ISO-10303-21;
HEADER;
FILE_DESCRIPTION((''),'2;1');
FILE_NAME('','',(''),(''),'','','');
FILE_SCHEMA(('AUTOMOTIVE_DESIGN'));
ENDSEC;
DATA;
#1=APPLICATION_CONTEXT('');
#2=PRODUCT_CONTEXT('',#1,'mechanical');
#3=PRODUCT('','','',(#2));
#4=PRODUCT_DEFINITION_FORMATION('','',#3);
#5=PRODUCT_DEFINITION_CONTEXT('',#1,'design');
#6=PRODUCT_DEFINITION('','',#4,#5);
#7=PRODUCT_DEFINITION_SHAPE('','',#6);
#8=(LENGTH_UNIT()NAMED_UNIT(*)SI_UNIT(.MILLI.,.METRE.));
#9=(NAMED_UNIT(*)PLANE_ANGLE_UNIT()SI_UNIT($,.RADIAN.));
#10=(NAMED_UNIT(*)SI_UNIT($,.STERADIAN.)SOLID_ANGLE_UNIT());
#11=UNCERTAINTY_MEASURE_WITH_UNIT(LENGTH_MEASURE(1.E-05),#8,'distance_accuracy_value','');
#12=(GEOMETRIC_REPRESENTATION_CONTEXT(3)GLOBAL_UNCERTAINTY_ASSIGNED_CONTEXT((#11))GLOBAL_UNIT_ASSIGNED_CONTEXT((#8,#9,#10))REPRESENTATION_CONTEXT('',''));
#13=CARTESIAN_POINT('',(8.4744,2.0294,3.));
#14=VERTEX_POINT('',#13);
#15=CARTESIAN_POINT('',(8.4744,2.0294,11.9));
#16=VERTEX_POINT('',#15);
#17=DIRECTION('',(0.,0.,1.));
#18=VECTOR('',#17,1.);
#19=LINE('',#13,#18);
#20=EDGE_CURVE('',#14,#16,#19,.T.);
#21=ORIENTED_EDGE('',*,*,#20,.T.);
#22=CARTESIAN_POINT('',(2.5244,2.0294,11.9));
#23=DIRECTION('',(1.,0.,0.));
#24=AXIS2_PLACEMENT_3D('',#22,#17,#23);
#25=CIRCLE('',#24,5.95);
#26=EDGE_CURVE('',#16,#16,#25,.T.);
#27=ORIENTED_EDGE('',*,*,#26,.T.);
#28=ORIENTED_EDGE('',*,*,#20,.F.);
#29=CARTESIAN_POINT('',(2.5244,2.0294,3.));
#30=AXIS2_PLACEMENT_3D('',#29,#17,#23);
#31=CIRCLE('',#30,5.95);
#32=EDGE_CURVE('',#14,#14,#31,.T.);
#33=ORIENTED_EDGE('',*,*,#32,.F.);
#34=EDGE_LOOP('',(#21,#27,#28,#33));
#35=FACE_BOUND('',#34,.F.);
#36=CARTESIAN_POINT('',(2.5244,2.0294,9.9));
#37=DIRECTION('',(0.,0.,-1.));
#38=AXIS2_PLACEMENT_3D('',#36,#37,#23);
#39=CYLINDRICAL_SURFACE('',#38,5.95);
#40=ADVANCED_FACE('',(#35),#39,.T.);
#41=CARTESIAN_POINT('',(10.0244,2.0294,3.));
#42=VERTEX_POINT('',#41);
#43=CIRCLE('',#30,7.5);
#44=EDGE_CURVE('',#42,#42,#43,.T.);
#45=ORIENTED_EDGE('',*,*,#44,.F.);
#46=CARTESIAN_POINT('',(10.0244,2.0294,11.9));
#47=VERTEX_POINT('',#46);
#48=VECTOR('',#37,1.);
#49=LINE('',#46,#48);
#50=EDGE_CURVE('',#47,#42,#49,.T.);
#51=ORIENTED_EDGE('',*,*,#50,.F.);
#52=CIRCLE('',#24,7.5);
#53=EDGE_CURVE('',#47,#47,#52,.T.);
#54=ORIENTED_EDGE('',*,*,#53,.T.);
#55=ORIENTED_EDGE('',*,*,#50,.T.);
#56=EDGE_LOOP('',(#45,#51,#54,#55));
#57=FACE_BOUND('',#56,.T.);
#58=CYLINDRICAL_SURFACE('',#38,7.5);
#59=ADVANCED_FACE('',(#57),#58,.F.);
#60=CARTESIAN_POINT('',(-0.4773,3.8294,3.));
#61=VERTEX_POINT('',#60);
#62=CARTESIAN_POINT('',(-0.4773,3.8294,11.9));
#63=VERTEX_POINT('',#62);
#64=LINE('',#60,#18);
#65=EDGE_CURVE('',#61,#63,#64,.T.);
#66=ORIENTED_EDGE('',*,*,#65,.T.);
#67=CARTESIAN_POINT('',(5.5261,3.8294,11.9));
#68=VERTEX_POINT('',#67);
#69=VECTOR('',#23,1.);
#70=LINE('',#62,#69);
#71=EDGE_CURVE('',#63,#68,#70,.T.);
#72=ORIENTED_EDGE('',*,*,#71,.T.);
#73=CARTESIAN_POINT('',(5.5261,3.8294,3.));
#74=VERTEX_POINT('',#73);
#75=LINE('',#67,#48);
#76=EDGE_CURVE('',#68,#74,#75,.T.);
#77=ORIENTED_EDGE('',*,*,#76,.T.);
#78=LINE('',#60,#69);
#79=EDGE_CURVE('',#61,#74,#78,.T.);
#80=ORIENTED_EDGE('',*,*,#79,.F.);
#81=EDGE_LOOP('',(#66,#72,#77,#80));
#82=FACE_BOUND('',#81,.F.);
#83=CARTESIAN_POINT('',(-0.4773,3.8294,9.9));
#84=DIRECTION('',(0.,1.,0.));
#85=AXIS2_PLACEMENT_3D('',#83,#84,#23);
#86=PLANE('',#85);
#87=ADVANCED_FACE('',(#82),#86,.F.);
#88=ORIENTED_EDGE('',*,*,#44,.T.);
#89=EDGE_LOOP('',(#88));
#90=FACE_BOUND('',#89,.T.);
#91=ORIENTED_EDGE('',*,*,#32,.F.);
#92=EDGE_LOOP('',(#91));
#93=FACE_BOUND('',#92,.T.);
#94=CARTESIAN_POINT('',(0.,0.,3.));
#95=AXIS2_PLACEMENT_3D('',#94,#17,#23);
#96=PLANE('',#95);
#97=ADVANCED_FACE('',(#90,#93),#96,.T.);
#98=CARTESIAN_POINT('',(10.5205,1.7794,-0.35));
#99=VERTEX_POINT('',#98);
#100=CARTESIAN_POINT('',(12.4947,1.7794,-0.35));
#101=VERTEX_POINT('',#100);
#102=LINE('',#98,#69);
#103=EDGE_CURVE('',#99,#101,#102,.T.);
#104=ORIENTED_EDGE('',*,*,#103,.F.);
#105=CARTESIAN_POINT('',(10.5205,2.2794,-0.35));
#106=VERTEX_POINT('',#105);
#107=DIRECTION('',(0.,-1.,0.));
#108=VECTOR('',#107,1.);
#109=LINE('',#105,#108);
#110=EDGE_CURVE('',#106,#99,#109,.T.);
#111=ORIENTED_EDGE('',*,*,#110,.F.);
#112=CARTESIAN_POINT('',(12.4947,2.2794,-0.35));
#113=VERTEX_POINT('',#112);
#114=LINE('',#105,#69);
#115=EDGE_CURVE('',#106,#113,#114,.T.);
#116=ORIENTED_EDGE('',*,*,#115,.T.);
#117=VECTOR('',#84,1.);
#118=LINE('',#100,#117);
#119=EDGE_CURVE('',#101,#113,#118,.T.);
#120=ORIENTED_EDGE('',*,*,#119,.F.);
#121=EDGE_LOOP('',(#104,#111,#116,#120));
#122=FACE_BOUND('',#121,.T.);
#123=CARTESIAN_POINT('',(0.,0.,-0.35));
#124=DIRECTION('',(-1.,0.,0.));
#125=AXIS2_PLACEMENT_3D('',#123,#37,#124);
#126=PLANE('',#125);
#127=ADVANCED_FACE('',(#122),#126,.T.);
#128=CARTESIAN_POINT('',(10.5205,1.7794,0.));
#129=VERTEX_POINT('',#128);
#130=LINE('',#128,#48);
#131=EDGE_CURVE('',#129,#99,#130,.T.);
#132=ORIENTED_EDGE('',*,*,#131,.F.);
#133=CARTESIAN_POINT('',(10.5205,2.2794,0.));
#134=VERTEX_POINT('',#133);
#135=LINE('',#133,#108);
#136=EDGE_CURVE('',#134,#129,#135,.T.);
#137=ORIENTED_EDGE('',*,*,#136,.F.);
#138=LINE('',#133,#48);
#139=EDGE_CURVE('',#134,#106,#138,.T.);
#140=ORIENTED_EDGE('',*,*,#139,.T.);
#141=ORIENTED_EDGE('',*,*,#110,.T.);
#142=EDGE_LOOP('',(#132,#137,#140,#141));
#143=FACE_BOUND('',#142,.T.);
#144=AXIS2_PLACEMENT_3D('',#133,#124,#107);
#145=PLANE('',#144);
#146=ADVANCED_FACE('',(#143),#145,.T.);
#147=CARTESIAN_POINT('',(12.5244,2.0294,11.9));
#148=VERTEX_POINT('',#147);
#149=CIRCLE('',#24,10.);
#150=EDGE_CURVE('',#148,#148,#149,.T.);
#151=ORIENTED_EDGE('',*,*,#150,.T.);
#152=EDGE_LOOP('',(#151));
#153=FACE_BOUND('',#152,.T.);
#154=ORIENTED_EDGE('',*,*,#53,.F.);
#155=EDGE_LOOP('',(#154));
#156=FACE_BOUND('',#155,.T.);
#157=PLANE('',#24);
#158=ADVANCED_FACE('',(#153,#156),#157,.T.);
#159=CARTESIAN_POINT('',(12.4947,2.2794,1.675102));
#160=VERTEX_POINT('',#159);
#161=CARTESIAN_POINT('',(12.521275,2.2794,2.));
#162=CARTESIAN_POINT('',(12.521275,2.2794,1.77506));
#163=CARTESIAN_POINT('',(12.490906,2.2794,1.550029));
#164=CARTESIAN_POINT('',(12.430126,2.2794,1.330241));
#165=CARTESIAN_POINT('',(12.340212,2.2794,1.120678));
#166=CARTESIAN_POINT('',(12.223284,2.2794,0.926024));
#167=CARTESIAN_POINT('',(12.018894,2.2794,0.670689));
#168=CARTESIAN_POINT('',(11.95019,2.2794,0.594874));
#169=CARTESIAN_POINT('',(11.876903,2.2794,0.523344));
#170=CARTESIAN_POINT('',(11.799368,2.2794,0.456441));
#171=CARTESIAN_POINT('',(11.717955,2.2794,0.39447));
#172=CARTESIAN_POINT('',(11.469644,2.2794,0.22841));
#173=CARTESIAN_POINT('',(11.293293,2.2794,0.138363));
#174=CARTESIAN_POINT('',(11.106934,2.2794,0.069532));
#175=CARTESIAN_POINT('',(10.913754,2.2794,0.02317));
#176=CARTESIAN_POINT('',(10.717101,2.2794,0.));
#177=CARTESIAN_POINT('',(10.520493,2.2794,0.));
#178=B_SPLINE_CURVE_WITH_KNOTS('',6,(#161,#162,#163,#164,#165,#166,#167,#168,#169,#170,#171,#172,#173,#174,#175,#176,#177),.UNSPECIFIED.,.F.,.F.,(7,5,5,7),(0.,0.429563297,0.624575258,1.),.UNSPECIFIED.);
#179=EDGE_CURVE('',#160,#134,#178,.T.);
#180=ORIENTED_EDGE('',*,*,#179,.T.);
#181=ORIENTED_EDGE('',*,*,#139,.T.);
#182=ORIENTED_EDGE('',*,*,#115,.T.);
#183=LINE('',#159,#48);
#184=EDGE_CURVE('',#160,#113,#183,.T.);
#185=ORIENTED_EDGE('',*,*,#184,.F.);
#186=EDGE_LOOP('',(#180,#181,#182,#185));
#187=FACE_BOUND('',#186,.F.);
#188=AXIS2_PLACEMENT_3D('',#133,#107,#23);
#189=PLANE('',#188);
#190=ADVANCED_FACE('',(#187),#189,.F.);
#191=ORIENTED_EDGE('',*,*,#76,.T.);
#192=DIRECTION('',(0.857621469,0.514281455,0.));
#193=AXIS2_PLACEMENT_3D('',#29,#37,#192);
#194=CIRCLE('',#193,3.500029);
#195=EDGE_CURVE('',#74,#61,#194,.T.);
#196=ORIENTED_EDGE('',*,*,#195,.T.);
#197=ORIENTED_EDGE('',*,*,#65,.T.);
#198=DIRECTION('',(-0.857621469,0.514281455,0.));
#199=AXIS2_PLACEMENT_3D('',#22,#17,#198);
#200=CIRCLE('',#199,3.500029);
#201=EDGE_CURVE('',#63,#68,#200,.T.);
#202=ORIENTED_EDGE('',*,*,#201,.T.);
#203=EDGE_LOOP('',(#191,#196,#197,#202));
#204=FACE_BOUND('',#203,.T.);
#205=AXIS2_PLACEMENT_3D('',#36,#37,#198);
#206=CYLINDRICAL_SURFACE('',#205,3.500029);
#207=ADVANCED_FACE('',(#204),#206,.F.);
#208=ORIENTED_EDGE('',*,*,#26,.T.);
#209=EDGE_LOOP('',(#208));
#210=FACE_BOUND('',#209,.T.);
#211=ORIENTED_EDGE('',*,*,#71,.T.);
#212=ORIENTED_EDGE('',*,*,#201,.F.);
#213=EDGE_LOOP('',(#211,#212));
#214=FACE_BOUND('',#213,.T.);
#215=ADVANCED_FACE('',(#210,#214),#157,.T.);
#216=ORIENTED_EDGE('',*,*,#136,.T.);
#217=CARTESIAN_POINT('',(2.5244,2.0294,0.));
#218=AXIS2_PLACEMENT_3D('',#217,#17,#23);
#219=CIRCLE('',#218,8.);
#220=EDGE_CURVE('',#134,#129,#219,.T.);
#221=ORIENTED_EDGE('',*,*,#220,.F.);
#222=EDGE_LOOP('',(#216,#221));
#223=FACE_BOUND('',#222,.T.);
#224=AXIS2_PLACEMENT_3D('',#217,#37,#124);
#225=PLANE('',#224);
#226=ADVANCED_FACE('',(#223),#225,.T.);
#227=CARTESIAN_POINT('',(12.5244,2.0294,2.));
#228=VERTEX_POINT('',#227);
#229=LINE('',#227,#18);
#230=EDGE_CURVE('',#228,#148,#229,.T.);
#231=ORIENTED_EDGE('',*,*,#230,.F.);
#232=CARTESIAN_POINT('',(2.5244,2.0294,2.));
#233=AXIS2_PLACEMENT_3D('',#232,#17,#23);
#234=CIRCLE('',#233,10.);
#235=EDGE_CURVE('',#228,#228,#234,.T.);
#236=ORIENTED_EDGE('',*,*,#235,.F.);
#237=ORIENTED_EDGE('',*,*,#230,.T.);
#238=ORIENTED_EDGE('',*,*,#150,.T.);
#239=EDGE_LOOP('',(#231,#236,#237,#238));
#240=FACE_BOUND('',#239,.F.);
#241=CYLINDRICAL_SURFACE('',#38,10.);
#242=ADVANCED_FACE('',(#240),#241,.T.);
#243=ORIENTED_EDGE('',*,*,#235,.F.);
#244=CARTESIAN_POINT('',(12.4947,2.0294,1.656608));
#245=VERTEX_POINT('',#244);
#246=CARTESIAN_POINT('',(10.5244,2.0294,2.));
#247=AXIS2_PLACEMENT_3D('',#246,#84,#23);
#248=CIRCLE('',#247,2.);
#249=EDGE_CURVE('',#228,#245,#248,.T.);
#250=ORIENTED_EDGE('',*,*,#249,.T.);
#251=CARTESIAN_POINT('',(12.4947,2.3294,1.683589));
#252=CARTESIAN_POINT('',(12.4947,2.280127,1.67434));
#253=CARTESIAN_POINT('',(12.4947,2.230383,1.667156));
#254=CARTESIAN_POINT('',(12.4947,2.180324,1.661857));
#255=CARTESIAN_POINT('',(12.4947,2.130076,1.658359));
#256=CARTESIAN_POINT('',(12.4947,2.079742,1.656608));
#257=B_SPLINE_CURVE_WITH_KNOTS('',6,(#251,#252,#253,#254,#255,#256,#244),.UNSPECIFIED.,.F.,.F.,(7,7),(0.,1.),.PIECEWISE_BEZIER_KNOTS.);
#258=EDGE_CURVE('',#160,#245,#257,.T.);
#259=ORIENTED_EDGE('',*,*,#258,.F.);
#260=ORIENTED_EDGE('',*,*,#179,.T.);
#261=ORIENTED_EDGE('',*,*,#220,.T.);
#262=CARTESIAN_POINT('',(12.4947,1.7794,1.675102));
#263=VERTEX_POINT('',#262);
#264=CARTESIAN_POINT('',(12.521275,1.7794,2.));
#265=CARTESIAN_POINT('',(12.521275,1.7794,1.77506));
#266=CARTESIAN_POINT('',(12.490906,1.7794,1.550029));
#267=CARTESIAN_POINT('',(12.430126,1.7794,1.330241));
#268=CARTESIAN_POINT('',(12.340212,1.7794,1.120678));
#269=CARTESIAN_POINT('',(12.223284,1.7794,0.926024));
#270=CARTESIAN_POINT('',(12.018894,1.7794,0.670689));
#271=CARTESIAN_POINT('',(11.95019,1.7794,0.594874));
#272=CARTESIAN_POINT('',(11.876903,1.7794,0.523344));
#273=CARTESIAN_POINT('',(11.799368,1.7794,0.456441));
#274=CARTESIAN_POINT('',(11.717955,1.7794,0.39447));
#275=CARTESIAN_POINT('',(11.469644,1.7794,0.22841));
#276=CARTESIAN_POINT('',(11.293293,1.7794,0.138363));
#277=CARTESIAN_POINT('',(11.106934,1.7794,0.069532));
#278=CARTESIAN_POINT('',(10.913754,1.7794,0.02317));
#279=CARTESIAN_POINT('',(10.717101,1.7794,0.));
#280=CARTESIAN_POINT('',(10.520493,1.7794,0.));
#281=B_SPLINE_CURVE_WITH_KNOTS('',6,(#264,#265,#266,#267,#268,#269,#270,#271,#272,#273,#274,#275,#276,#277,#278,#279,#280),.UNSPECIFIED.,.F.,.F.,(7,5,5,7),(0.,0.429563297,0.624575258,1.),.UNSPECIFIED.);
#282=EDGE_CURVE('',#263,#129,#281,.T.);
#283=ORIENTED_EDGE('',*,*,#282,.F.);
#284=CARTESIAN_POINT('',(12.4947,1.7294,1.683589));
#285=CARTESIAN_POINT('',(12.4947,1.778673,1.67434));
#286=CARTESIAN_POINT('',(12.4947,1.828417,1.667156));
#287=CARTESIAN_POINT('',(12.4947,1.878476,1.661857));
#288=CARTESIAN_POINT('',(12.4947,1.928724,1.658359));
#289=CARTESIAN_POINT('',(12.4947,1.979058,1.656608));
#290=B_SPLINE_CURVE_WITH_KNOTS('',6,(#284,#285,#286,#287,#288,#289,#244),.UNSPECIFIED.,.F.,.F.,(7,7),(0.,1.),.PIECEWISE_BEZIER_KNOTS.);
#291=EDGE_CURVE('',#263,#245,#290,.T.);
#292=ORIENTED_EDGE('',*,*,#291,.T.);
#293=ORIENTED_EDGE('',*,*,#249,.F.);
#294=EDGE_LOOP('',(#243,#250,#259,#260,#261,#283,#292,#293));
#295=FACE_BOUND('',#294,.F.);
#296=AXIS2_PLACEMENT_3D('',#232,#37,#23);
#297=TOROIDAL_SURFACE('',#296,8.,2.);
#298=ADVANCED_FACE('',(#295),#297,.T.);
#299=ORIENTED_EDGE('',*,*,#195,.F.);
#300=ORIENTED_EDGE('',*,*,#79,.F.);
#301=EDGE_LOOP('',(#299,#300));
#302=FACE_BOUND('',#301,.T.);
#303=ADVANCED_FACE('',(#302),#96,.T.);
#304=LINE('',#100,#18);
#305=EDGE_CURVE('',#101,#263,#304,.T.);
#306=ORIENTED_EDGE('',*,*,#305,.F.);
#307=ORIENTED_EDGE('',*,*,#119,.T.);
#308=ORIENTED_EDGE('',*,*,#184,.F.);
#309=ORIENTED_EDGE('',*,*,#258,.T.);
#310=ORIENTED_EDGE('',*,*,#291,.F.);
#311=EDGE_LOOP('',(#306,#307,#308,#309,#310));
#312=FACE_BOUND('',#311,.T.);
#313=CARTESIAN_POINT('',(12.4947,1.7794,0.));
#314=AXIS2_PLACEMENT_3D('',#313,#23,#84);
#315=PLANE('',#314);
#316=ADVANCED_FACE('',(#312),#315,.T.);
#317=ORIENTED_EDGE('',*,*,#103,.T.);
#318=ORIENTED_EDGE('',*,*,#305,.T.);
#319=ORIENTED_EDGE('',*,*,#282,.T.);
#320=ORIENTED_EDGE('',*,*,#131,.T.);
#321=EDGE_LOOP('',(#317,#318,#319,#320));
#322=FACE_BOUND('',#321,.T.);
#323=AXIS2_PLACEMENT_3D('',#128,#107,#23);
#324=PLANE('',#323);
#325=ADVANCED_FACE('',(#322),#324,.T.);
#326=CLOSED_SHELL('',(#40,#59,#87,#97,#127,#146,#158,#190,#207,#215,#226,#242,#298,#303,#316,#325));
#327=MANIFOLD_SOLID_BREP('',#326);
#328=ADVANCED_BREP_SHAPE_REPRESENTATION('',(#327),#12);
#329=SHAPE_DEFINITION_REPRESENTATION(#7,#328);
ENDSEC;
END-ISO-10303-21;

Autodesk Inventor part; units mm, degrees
ref_plane "YZ Plane" through (0, 0, 0) normal (1, 0, 0) x (0, 1, 0)
ref_plane "XZ Plane" through (0, 0, 0) normal (0, 1, 0) x (-1, 0, 0)
ref_plane "XY Plane" through (0, 0, 0) normal (0, 0, 1) x (1, 0, 0)
sketch "Sketch1" plane through (0, 0, 0) normal (0, 0, 1) x (1, 0, 0)
  circle A0 centre (2.5244, 2.0294) radius 10
  point P0 (0, 0)
  dimension "d0" = 20
extrude "Extrusion1" add sketch "Sketch1" along normal blind 3
sketch "Sketch2" plane through (2.5244, 2.0294, 3) normal (0, 0, 1) x (1, 0, 0)
  circle A0 centre (0, 0) radius 10 projected
  circle A1 centre (0, 0) radius 7.5
  point P0 (-2.5244, -2.0294)
  dimension "d3" = 15
extrude "Extrusion2" add sketch "Sketch2" along normal blind 6.9
sketch "Sketch3" plane through (2.5244, 2.0294, 3) normal (0, 0, 1) x (1, 0, 0)
  circle A0 centre (0, 0) radius 7.5 projected
  circle A1 centre (0, 0) radius 5.95
  arc A2 (-3.0017, 1.8) -> (3.0017, 1.8) centre (0, 0) ccw
  line L0 (0, 1.8) -> (3.0017, 1.8)
  line L1 (0, 1.8) -> (-3.0017, 1.8)
  line L2 (0, 1.8) -> (0, -3.5)
  point P0 (-2.5244, -2.0294)
  dimension "d6" = 11.9
  dimension "d7" = 7
  dimension "d18" = 5.3
extrude "Extrusion3" add sketch "Sketch3" along normal blind 6.9 contours A1
fillet "Fillet1" radius 2 1 edges at (-7.4756, 2.0294, 0)
sketch "Sketch4" plane through (2.5244, 2.0294, 0) normal (0, 0, -1) x (-1, 0, 0)
  circle A0 centre (0, 0) radius 8 projected
  line L0 (-8, 0) -> (-7.9961, 0.25)
  line L1 (-7.9961, 0.25) -> (-7.9961, -0.25)
  line L2 (-7.9961, -0.25) -> (-9.9703, -0.25)
  line L3 (-9.9703, -0.25) -> (-9.9703, 0.25)
  line L4 (-9.9703, 0.25) -> (-7.9961, 0.25)
  point P0 (2.5244, -2.0294)
  dimension "d12" = 0.25
  dimension "d13" = 0.5
extrude "Extrusion4" add sketch "Sketch4" against normal blind 1.85 contours A0 L2 L3 L4
sketch "Sketch5" plane through (0, 0, 0) normal (0, 0, -1) x (-1, 0, 0)
  line L0 (-10.5205, 2.2794) -> (-12.4947, 2.2794) projected
  line L1 (-12.4947, 2.2794) -> (-10.5205, 2.2794)
  line L2 (-10.5205, 2.2794) -> (-10.5205, 1.7794)
  line L3 (-10.5205, 1.7794) -> (-12.4947, 1.7794)
  line L4 (-12.4947, 1.7794) -> (-12.4947, 2.2794)
  point P0 (0, 0)
extrude "Extrusion5" add sketch "Sketch5" along normal blind 0.35
sketch "Sketch7" plane through (2.5244, 2.0294, 9.9) normal (0, 0, 1) x (1, 0, 0)
  arc A0 (-3.0017, 1.8) -> (3.0017, 1.8) centre (0, 0) ccw projected
  line L0 (-3.0017, 1.8) -> (3.0017, 1.8) projected
  circle A1 centre (0, 0) radius 5.95 projected
  line L1 (3.0017, 1.8) -> (3.0017, 3.9445)
  point P0 (-2.5244, -2.0294)
extrude "Extrusion6" add sketch "Sketch7" along normal blind 2
sketch "Sketch8" plane through (2.5244, 2.0294, 9.9) normal (0, 0, 1) x (1, 0, 0)
  circle A0 centre (0, 0) radius 7.5 projected
  circle A1 centre (0, 0) radius 10 projected
  circle A2 centre (0, 0) radius 7.5
  circle A3 centre (0, 0) radius 10
  point P0 (-2.5244, -2.0294)
extrude "Extrusion7" add sketch "Sketch8" along normal blind 2
properties part number "knob"
